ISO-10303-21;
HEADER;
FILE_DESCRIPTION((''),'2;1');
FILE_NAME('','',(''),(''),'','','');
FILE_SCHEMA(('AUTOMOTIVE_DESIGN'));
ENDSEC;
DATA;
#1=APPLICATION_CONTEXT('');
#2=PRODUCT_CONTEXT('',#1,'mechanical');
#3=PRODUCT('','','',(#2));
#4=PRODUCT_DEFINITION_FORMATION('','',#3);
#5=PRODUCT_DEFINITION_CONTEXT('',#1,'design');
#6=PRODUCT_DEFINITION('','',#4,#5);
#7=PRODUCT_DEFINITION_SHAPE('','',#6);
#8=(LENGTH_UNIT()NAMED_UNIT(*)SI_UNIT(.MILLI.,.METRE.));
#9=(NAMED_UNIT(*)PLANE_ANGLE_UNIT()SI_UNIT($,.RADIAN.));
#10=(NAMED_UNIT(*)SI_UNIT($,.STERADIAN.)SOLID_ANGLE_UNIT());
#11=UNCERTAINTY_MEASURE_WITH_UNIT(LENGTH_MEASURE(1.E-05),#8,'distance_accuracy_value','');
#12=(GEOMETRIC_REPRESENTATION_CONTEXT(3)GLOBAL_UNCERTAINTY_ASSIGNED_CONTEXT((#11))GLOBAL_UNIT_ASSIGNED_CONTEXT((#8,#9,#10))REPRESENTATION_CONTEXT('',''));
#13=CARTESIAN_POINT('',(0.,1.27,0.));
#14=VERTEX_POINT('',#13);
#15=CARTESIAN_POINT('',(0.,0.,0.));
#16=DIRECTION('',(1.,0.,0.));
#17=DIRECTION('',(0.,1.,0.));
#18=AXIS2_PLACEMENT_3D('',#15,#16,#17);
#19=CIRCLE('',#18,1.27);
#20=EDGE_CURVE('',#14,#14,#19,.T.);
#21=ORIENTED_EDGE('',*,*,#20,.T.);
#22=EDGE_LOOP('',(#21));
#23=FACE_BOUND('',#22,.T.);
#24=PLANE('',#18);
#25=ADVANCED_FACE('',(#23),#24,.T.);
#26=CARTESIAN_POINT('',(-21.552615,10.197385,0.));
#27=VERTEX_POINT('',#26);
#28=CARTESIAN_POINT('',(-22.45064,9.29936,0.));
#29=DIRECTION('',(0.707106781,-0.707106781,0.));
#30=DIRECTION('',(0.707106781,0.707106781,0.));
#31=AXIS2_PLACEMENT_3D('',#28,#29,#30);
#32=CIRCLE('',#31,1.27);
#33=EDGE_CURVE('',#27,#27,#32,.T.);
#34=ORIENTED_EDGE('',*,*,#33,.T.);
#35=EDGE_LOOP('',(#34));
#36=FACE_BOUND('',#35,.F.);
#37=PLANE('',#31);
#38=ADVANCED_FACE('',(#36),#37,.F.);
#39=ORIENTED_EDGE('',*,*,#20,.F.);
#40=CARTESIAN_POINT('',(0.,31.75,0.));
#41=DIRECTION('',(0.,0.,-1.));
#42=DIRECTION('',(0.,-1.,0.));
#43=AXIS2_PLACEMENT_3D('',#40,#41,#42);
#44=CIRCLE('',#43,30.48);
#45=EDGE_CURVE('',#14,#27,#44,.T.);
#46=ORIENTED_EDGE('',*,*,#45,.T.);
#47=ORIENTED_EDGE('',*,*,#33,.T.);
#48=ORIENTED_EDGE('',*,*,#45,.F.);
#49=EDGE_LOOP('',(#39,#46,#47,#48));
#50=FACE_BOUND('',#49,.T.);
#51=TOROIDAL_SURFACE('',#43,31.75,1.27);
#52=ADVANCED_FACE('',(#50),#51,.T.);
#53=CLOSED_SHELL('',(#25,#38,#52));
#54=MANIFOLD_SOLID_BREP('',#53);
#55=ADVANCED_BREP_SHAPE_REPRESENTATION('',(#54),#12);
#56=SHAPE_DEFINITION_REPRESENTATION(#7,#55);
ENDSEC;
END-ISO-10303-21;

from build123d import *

# Parameters (mm, degrees)
F2_R     = 1.27
F3_ANGLE = 45


with BuildPart() as f3:
    # F2 (on Right) → F3 (revolve)
    with BuildSketch(Plane.YZ):
        Circle(F2_R)
    revolve(axis=Axis((0, 31.75, -5.662058), (0, 0, -1)), revolution_arc=F3_ANGLE)


solid = f3.part
